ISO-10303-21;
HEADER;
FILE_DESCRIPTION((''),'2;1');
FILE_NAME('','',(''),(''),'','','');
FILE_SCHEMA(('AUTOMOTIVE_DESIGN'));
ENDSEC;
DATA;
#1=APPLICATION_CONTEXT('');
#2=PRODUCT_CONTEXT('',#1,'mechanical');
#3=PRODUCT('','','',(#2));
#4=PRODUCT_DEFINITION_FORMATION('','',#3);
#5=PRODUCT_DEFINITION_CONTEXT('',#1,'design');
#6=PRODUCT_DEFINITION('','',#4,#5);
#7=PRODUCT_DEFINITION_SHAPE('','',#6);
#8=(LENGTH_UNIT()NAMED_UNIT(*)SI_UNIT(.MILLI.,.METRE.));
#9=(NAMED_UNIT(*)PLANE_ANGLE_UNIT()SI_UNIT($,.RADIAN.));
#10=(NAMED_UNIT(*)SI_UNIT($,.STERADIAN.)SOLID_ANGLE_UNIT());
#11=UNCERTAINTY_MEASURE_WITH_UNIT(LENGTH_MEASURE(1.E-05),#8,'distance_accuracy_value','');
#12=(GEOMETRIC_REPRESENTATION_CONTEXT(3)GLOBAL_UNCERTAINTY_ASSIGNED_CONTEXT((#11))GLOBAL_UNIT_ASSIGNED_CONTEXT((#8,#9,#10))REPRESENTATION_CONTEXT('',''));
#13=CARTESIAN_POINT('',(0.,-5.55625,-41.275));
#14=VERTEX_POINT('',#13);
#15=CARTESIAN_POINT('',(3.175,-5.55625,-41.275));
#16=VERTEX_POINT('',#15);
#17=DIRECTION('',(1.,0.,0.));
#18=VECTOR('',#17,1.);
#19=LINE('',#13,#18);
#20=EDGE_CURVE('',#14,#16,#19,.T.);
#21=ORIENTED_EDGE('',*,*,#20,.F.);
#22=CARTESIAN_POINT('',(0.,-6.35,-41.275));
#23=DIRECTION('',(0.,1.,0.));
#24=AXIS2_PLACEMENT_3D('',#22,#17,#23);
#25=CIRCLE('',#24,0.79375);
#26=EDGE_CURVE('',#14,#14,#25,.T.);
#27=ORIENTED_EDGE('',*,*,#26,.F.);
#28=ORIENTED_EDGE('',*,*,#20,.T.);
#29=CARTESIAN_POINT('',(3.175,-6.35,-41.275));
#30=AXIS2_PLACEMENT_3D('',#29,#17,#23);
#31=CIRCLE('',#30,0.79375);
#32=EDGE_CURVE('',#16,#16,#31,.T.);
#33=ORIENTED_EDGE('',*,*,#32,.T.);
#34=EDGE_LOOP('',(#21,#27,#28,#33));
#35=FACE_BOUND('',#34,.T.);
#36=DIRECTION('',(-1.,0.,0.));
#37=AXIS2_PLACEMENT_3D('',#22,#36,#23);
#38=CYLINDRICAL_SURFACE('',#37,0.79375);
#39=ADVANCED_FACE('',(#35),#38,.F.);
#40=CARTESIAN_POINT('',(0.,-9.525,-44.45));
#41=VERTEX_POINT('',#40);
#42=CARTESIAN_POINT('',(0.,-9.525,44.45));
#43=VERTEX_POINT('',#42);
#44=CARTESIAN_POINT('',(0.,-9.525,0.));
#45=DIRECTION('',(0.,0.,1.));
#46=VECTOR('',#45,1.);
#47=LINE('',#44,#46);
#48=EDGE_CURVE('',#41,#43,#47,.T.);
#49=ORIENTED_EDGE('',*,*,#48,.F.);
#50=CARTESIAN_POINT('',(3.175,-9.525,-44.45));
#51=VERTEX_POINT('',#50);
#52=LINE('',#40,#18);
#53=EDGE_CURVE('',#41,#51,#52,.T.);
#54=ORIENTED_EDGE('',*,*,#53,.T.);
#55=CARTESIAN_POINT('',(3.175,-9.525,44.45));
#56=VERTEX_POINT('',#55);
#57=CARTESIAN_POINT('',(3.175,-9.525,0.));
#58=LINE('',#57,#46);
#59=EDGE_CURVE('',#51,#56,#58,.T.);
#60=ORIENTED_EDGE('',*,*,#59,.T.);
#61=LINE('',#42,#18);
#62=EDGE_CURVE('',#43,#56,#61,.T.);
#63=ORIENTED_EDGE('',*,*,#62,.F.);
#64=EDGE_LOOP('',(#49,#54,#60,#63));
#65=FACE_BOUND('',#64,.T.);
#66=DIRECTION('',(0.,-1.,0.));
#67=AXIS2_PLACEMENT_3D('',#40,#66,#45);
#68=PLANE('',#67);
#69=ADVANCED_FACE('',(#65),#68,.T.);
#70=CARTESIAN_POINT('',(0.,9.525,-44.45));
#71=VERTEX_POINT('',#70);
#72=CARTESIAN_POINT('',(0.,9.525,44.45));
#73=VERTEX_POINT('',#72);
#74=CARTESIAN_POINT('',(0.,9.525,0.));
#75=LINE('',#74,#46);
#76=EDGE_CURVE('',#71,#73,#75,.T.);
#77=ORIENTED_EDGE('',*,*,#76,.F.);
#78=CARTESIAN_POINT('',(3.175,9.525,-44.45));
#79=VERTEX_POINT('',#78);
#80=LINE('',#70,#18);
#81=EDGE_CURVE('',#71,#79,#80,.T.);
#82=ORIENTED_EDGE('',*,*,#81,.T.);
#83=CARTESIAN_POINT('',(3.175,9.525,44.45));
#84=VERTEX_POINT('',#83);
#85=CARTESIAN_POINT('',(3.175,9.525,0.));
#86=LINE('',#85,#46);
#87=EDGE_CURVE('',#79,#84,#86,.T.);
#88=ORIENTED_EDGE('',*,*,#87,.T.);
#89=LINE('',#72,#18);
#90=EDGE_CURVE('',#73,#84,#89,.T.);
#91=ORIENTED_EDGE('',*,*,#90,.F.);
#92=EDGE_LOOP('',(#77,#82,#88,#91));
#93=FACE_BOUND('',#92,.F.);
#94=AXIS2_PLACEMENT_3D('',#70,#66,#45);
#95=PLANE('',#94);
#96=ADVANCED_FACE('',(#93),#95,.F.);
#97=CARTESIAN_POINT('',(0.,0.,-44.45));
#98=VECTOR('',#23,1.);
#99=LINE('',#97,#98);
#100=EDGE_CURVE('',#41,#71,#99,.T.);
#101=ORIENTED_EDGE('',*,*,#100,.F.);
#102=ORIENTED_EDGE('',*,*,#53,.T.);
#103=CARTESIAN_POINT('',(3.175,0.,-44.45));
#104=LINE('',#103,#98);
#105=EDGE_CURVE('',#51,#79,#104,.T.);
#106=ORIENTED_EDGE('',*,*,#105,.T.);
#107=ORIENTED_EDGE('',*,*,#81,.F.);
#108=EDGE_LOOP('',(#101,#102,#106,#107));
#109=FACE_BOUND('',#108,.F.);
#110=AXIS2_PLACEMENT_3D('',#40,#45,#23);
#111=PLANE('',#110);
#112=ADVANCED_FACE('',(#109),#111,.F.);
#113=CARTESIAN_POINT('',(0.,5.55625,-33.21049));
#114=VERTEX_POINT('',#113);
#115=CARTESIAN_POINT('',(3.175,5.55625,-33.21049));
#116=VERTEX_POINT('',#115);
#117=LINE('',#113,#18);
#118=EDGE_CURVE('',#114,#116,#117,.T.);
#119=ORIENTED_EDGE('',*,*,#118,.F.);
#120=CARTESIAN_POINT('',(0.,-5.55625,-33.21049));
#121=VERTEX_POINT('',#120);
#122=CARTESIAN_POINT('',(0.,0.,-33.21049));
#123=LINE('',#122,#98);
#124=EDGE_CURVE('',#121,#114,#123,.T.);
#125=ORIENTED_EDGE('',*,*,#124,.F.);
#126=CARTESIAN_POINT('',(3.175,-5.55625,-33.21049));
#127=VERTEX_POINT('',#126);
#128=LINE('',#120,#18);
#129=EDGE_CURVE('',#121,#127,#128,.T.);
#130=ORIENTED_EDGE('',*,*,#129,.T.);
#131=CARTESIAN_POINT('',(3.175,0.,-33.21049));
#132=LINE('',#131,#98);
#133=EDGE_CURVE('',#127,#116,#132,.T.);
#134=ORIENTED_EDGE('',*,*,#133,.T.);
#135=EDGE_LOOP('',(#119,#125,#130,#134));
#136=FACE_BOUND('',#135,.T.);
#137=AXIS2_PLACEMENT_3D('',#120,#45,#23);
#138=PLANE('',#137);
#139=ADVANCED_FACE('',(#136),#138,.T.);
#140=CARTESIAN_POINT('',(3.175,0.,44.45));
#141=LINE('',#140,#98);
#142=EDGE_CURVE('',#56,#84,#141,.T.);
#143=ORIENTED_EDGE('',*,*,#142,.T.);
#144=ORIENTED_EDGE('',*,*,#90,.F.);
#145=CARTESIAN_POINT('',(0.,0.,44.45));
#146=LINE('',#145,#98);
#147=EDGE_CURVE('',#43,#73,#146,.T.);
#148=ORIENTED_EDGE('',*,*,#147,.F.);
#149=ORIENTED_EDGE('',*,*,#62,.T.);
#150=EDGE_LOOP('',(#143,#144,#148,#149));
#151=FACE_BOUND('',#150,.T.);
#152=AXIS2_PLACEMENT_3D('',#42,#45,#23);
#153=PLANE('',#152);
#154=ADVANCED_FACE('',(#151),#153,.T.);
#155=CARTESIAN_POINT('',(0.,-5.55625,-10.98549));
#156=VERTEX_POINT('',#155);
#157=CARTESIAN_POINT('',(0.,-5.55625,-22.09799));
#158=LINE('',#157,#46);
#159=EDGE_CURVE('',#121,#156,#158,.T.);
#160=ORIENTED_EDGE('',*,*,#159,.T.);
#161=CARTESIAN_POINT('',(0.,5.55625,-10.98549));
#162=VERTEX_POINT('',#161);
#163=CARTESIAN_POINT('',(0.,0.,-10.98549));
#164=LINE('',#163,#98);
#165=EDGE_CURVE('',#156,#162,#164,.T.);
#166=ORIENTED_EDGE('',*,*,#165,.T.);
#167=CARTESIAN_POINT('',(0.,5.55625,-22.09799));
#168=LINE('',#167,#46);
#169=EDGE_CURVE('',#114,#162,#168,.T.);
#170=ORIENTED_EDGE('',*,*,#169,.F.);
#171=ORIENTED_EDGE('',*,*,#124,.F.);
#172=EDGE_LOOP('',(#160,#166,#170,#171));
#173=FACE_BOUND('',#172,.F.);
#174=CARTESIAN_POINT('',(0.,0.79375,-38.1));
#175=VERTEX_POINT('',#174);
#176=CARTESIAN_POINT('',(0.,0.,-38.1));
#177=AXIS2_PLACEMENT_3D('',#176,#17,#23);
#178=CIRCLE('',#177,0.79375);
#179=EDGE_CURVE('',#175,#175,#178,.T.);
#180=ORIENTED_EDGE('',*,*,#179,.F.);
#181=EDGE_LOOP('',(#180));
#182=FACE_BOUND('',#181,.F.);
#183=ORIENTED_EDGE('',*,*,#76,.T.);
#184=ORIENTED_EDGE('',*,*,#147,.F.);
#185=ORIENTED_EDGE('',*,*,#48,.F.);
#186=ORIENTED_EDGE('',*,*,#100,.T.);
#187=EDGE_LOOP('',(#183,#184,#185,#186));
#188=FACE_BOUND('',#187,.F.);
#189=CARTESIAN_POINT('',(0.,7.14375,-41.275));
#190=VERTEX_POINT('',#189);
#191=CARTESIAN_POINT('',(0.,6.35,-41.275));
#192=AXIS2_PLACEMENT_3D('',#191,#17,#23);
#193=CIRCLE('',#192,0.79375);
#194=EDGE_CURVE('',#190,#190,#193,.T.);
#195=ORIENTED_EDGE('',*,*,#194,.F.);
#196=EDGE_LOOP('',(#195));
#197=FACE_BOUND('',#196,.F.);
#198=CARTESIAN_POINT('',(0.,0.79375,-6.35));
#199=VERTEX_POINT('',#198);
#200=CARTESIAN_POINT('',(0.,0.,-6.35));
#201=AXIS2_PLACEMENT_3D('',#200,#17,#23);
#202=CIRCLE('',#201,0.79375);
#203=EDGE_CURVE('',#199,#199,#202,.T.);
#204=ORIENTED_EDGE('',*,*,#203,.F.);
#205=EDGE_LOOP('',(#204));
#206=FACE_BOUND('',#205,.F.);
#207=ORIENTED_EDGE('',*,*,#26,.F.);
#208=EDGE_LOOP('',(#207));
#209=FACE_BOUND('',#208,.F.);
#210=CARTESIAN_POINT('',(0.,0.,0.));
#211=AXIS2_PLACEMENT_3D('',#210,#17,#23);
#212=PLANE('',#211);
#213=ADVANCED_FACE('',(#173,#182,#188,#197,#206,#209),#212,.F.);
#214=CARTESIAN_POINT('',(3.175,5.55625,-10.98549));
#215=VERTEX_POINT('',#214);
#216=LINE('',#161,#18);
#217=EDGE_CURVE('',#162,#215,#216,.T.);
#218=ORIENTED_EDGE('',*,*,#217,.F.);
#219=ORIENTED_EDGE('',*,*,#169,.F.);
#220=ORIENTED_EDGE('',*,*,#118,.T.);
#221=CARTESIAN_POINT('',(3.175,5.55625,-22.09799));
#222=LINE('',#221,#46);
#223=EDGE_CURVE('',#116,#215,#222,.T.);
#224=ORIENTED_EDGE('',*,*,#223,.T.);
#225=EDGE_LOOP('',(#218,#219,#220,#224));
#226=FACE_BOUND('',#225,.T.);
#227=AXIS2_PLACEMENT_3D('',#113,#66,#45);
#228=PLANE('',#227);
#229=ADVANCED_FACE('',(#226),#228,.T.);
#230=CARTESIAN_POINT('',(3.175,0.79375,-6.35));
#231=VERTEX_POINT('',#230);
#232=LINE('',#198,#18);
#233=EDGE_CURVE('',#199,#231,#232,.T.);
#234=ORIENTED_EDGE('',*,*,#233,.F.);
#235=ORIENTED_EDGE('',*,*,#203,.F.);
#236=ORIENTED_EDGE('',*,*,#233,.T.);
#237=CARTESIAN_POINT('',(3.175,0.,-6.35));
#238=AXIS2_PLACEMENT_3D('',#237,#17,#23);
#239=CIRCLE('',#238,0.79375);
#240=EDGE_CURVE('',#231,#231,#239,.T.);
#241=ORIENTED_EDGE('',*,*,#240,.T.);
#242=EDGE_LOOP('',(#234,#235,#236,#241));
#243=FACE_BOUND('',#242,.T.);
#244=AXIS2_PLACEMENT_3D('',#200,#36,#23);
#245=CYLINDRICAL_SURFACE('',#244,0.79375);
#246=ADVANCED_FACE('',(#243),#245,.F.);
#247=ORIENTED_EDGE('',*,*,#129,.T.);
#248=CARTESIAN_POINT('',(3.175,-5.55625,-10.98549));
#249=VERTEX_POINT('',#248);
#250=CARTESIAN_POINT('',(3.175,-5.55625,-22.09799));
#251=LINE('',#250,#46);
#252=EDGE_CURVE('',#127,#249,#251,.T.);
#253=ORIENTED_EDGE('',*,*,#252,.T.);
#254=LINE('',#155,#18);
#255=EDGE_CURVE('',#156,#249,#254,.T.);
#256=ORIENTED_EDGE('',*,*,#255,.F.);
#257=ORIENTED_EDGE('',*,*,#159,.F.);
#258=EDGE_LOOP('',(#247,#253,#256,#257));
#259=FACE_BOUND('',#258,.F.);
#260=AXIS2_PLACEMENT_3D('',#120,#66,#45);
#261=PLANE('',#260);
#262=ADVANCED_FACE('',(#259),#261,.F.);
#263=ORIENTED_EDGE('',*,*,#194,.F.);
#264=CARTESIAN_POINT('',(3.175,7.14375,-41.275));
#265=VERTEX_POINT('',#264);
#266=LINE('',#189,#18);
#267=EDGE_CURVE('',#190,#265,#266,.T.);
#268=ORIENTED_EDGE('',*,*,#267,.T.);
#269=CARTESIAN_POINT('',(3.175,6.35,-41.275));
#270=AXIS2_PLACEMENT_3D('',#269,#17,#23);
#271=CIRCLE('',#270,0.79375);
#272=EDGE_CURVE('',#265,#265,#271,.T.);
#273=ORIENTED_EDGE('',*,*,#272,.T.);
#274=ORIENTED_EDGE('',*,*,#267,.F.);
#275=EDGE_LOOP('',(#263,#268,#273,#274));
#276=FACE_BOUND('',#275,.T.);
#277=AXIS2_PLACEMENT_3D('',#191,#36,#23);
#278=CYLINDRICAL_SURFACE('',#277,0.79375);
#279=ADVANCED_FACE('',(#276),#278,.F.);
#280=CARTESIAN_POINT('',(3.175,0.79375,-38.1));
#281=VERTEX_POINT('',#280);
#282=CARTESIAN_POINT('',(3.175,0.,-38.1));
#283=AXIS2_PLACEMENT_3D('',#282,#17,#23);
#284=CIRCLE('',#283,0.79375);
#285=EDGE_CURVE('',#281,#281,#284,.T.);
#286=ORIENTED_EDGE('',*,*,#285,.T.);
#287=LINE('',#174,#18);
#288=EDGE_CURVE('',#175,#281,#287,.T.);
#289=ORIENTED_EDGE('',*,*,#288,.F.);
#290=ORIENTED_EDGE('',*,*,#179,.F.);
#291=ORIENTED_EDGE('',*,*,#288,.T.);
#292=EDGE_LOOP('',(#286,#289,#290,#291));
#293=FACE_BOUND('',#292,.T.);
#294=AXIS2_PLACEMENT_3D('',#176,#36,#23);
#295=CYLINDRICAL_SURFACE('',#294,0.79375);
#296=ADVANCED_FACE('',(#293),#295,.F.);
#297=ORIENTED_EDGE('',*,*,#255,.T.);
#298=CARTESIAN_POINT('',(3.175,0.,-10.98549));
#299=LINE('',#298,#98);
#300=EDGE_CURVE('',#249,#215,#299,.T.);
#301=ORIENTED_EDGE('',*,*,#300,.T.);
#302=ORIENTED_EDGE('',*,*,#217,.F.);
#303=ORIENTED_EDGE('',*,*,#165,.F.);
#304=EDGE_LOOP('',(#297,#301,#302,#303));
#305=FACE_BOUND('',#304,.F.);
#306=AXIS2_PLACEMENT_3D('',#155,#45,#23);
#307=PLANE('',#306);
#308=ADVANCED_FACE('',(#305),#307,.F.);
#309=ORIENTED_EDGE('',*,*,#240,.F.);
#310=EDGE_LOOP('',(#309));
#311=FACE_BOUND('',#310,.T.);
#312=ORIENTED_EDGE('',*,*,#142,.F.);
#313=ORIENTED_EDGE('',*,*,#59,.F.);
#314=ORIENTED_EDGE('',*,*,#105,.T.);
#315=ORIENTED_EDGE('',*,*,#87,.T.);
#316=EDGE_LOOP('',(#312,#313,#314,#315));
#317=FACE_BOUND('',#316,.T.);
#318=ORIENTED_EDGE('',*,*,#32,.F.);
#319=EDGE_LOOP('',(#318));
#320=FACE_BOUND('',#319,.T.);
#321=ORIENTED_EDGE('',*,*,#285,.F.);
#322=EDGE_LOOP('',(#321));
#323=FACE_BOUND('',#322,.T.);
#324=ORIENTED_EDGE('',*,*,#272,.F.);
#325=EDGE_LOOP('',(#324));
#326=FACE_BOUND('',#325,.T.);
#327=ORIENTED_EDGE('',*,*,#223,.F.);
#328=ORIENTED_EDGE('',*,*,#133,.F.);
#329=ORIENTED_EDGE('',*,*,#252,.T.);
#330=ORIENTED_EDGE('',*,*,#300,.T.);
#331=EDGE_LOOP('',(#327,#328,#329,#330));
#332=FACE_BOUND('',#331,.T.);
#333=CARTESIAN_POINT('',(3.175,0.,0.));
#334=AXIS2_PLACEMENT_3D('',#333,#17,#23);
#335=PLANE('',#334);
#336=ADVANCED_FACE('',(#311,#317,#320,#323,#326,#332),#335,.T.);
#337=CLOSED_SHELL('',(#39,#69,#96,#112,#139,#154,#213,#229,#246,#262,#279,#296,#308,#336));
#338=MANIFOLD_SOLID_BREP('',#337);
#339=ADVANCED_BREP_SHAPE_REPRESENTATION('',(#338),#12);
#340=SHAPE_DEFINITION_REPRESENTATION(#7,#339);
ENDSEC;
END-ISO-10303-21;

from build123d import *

# Parameters (mm, degrees)
F0_W     = 19.05
F0_H     = 88.9
F0_R     = 0.79375
F0_W_2   = 11.1125
F0_H_2   = 22.225
F1_DEPTH = 3.175


with BuildPart() as f1:
    # F0 (on Right) → F1 (new body)
    with BuildSketch(Plane.YZ):
        Rectangle(F0_W, F0_H)
        with Locations((-6.35, -41.275)):
            Circle(F0_R, mode=Mode.SUBTRACT)
        with Locations((0, -38.1)):
            Circle(F0_R, mode=Mode.SUBTRACT)
        with Locations((6.35, -41.275)):
            Circle(F0_R, mode=Mode.SUBTRACT)
        with Locations((0, -22.09799)):
            Rectangle(F0_W_2, F0_H_2, mode=Mode.SUBTRACT)
        with Locations((0, -6.35)):
            Circle(F0_R, mode=Mode.SUBTRACT)
    extrude(amount=F1_DEPTH)


solid = f1.part
